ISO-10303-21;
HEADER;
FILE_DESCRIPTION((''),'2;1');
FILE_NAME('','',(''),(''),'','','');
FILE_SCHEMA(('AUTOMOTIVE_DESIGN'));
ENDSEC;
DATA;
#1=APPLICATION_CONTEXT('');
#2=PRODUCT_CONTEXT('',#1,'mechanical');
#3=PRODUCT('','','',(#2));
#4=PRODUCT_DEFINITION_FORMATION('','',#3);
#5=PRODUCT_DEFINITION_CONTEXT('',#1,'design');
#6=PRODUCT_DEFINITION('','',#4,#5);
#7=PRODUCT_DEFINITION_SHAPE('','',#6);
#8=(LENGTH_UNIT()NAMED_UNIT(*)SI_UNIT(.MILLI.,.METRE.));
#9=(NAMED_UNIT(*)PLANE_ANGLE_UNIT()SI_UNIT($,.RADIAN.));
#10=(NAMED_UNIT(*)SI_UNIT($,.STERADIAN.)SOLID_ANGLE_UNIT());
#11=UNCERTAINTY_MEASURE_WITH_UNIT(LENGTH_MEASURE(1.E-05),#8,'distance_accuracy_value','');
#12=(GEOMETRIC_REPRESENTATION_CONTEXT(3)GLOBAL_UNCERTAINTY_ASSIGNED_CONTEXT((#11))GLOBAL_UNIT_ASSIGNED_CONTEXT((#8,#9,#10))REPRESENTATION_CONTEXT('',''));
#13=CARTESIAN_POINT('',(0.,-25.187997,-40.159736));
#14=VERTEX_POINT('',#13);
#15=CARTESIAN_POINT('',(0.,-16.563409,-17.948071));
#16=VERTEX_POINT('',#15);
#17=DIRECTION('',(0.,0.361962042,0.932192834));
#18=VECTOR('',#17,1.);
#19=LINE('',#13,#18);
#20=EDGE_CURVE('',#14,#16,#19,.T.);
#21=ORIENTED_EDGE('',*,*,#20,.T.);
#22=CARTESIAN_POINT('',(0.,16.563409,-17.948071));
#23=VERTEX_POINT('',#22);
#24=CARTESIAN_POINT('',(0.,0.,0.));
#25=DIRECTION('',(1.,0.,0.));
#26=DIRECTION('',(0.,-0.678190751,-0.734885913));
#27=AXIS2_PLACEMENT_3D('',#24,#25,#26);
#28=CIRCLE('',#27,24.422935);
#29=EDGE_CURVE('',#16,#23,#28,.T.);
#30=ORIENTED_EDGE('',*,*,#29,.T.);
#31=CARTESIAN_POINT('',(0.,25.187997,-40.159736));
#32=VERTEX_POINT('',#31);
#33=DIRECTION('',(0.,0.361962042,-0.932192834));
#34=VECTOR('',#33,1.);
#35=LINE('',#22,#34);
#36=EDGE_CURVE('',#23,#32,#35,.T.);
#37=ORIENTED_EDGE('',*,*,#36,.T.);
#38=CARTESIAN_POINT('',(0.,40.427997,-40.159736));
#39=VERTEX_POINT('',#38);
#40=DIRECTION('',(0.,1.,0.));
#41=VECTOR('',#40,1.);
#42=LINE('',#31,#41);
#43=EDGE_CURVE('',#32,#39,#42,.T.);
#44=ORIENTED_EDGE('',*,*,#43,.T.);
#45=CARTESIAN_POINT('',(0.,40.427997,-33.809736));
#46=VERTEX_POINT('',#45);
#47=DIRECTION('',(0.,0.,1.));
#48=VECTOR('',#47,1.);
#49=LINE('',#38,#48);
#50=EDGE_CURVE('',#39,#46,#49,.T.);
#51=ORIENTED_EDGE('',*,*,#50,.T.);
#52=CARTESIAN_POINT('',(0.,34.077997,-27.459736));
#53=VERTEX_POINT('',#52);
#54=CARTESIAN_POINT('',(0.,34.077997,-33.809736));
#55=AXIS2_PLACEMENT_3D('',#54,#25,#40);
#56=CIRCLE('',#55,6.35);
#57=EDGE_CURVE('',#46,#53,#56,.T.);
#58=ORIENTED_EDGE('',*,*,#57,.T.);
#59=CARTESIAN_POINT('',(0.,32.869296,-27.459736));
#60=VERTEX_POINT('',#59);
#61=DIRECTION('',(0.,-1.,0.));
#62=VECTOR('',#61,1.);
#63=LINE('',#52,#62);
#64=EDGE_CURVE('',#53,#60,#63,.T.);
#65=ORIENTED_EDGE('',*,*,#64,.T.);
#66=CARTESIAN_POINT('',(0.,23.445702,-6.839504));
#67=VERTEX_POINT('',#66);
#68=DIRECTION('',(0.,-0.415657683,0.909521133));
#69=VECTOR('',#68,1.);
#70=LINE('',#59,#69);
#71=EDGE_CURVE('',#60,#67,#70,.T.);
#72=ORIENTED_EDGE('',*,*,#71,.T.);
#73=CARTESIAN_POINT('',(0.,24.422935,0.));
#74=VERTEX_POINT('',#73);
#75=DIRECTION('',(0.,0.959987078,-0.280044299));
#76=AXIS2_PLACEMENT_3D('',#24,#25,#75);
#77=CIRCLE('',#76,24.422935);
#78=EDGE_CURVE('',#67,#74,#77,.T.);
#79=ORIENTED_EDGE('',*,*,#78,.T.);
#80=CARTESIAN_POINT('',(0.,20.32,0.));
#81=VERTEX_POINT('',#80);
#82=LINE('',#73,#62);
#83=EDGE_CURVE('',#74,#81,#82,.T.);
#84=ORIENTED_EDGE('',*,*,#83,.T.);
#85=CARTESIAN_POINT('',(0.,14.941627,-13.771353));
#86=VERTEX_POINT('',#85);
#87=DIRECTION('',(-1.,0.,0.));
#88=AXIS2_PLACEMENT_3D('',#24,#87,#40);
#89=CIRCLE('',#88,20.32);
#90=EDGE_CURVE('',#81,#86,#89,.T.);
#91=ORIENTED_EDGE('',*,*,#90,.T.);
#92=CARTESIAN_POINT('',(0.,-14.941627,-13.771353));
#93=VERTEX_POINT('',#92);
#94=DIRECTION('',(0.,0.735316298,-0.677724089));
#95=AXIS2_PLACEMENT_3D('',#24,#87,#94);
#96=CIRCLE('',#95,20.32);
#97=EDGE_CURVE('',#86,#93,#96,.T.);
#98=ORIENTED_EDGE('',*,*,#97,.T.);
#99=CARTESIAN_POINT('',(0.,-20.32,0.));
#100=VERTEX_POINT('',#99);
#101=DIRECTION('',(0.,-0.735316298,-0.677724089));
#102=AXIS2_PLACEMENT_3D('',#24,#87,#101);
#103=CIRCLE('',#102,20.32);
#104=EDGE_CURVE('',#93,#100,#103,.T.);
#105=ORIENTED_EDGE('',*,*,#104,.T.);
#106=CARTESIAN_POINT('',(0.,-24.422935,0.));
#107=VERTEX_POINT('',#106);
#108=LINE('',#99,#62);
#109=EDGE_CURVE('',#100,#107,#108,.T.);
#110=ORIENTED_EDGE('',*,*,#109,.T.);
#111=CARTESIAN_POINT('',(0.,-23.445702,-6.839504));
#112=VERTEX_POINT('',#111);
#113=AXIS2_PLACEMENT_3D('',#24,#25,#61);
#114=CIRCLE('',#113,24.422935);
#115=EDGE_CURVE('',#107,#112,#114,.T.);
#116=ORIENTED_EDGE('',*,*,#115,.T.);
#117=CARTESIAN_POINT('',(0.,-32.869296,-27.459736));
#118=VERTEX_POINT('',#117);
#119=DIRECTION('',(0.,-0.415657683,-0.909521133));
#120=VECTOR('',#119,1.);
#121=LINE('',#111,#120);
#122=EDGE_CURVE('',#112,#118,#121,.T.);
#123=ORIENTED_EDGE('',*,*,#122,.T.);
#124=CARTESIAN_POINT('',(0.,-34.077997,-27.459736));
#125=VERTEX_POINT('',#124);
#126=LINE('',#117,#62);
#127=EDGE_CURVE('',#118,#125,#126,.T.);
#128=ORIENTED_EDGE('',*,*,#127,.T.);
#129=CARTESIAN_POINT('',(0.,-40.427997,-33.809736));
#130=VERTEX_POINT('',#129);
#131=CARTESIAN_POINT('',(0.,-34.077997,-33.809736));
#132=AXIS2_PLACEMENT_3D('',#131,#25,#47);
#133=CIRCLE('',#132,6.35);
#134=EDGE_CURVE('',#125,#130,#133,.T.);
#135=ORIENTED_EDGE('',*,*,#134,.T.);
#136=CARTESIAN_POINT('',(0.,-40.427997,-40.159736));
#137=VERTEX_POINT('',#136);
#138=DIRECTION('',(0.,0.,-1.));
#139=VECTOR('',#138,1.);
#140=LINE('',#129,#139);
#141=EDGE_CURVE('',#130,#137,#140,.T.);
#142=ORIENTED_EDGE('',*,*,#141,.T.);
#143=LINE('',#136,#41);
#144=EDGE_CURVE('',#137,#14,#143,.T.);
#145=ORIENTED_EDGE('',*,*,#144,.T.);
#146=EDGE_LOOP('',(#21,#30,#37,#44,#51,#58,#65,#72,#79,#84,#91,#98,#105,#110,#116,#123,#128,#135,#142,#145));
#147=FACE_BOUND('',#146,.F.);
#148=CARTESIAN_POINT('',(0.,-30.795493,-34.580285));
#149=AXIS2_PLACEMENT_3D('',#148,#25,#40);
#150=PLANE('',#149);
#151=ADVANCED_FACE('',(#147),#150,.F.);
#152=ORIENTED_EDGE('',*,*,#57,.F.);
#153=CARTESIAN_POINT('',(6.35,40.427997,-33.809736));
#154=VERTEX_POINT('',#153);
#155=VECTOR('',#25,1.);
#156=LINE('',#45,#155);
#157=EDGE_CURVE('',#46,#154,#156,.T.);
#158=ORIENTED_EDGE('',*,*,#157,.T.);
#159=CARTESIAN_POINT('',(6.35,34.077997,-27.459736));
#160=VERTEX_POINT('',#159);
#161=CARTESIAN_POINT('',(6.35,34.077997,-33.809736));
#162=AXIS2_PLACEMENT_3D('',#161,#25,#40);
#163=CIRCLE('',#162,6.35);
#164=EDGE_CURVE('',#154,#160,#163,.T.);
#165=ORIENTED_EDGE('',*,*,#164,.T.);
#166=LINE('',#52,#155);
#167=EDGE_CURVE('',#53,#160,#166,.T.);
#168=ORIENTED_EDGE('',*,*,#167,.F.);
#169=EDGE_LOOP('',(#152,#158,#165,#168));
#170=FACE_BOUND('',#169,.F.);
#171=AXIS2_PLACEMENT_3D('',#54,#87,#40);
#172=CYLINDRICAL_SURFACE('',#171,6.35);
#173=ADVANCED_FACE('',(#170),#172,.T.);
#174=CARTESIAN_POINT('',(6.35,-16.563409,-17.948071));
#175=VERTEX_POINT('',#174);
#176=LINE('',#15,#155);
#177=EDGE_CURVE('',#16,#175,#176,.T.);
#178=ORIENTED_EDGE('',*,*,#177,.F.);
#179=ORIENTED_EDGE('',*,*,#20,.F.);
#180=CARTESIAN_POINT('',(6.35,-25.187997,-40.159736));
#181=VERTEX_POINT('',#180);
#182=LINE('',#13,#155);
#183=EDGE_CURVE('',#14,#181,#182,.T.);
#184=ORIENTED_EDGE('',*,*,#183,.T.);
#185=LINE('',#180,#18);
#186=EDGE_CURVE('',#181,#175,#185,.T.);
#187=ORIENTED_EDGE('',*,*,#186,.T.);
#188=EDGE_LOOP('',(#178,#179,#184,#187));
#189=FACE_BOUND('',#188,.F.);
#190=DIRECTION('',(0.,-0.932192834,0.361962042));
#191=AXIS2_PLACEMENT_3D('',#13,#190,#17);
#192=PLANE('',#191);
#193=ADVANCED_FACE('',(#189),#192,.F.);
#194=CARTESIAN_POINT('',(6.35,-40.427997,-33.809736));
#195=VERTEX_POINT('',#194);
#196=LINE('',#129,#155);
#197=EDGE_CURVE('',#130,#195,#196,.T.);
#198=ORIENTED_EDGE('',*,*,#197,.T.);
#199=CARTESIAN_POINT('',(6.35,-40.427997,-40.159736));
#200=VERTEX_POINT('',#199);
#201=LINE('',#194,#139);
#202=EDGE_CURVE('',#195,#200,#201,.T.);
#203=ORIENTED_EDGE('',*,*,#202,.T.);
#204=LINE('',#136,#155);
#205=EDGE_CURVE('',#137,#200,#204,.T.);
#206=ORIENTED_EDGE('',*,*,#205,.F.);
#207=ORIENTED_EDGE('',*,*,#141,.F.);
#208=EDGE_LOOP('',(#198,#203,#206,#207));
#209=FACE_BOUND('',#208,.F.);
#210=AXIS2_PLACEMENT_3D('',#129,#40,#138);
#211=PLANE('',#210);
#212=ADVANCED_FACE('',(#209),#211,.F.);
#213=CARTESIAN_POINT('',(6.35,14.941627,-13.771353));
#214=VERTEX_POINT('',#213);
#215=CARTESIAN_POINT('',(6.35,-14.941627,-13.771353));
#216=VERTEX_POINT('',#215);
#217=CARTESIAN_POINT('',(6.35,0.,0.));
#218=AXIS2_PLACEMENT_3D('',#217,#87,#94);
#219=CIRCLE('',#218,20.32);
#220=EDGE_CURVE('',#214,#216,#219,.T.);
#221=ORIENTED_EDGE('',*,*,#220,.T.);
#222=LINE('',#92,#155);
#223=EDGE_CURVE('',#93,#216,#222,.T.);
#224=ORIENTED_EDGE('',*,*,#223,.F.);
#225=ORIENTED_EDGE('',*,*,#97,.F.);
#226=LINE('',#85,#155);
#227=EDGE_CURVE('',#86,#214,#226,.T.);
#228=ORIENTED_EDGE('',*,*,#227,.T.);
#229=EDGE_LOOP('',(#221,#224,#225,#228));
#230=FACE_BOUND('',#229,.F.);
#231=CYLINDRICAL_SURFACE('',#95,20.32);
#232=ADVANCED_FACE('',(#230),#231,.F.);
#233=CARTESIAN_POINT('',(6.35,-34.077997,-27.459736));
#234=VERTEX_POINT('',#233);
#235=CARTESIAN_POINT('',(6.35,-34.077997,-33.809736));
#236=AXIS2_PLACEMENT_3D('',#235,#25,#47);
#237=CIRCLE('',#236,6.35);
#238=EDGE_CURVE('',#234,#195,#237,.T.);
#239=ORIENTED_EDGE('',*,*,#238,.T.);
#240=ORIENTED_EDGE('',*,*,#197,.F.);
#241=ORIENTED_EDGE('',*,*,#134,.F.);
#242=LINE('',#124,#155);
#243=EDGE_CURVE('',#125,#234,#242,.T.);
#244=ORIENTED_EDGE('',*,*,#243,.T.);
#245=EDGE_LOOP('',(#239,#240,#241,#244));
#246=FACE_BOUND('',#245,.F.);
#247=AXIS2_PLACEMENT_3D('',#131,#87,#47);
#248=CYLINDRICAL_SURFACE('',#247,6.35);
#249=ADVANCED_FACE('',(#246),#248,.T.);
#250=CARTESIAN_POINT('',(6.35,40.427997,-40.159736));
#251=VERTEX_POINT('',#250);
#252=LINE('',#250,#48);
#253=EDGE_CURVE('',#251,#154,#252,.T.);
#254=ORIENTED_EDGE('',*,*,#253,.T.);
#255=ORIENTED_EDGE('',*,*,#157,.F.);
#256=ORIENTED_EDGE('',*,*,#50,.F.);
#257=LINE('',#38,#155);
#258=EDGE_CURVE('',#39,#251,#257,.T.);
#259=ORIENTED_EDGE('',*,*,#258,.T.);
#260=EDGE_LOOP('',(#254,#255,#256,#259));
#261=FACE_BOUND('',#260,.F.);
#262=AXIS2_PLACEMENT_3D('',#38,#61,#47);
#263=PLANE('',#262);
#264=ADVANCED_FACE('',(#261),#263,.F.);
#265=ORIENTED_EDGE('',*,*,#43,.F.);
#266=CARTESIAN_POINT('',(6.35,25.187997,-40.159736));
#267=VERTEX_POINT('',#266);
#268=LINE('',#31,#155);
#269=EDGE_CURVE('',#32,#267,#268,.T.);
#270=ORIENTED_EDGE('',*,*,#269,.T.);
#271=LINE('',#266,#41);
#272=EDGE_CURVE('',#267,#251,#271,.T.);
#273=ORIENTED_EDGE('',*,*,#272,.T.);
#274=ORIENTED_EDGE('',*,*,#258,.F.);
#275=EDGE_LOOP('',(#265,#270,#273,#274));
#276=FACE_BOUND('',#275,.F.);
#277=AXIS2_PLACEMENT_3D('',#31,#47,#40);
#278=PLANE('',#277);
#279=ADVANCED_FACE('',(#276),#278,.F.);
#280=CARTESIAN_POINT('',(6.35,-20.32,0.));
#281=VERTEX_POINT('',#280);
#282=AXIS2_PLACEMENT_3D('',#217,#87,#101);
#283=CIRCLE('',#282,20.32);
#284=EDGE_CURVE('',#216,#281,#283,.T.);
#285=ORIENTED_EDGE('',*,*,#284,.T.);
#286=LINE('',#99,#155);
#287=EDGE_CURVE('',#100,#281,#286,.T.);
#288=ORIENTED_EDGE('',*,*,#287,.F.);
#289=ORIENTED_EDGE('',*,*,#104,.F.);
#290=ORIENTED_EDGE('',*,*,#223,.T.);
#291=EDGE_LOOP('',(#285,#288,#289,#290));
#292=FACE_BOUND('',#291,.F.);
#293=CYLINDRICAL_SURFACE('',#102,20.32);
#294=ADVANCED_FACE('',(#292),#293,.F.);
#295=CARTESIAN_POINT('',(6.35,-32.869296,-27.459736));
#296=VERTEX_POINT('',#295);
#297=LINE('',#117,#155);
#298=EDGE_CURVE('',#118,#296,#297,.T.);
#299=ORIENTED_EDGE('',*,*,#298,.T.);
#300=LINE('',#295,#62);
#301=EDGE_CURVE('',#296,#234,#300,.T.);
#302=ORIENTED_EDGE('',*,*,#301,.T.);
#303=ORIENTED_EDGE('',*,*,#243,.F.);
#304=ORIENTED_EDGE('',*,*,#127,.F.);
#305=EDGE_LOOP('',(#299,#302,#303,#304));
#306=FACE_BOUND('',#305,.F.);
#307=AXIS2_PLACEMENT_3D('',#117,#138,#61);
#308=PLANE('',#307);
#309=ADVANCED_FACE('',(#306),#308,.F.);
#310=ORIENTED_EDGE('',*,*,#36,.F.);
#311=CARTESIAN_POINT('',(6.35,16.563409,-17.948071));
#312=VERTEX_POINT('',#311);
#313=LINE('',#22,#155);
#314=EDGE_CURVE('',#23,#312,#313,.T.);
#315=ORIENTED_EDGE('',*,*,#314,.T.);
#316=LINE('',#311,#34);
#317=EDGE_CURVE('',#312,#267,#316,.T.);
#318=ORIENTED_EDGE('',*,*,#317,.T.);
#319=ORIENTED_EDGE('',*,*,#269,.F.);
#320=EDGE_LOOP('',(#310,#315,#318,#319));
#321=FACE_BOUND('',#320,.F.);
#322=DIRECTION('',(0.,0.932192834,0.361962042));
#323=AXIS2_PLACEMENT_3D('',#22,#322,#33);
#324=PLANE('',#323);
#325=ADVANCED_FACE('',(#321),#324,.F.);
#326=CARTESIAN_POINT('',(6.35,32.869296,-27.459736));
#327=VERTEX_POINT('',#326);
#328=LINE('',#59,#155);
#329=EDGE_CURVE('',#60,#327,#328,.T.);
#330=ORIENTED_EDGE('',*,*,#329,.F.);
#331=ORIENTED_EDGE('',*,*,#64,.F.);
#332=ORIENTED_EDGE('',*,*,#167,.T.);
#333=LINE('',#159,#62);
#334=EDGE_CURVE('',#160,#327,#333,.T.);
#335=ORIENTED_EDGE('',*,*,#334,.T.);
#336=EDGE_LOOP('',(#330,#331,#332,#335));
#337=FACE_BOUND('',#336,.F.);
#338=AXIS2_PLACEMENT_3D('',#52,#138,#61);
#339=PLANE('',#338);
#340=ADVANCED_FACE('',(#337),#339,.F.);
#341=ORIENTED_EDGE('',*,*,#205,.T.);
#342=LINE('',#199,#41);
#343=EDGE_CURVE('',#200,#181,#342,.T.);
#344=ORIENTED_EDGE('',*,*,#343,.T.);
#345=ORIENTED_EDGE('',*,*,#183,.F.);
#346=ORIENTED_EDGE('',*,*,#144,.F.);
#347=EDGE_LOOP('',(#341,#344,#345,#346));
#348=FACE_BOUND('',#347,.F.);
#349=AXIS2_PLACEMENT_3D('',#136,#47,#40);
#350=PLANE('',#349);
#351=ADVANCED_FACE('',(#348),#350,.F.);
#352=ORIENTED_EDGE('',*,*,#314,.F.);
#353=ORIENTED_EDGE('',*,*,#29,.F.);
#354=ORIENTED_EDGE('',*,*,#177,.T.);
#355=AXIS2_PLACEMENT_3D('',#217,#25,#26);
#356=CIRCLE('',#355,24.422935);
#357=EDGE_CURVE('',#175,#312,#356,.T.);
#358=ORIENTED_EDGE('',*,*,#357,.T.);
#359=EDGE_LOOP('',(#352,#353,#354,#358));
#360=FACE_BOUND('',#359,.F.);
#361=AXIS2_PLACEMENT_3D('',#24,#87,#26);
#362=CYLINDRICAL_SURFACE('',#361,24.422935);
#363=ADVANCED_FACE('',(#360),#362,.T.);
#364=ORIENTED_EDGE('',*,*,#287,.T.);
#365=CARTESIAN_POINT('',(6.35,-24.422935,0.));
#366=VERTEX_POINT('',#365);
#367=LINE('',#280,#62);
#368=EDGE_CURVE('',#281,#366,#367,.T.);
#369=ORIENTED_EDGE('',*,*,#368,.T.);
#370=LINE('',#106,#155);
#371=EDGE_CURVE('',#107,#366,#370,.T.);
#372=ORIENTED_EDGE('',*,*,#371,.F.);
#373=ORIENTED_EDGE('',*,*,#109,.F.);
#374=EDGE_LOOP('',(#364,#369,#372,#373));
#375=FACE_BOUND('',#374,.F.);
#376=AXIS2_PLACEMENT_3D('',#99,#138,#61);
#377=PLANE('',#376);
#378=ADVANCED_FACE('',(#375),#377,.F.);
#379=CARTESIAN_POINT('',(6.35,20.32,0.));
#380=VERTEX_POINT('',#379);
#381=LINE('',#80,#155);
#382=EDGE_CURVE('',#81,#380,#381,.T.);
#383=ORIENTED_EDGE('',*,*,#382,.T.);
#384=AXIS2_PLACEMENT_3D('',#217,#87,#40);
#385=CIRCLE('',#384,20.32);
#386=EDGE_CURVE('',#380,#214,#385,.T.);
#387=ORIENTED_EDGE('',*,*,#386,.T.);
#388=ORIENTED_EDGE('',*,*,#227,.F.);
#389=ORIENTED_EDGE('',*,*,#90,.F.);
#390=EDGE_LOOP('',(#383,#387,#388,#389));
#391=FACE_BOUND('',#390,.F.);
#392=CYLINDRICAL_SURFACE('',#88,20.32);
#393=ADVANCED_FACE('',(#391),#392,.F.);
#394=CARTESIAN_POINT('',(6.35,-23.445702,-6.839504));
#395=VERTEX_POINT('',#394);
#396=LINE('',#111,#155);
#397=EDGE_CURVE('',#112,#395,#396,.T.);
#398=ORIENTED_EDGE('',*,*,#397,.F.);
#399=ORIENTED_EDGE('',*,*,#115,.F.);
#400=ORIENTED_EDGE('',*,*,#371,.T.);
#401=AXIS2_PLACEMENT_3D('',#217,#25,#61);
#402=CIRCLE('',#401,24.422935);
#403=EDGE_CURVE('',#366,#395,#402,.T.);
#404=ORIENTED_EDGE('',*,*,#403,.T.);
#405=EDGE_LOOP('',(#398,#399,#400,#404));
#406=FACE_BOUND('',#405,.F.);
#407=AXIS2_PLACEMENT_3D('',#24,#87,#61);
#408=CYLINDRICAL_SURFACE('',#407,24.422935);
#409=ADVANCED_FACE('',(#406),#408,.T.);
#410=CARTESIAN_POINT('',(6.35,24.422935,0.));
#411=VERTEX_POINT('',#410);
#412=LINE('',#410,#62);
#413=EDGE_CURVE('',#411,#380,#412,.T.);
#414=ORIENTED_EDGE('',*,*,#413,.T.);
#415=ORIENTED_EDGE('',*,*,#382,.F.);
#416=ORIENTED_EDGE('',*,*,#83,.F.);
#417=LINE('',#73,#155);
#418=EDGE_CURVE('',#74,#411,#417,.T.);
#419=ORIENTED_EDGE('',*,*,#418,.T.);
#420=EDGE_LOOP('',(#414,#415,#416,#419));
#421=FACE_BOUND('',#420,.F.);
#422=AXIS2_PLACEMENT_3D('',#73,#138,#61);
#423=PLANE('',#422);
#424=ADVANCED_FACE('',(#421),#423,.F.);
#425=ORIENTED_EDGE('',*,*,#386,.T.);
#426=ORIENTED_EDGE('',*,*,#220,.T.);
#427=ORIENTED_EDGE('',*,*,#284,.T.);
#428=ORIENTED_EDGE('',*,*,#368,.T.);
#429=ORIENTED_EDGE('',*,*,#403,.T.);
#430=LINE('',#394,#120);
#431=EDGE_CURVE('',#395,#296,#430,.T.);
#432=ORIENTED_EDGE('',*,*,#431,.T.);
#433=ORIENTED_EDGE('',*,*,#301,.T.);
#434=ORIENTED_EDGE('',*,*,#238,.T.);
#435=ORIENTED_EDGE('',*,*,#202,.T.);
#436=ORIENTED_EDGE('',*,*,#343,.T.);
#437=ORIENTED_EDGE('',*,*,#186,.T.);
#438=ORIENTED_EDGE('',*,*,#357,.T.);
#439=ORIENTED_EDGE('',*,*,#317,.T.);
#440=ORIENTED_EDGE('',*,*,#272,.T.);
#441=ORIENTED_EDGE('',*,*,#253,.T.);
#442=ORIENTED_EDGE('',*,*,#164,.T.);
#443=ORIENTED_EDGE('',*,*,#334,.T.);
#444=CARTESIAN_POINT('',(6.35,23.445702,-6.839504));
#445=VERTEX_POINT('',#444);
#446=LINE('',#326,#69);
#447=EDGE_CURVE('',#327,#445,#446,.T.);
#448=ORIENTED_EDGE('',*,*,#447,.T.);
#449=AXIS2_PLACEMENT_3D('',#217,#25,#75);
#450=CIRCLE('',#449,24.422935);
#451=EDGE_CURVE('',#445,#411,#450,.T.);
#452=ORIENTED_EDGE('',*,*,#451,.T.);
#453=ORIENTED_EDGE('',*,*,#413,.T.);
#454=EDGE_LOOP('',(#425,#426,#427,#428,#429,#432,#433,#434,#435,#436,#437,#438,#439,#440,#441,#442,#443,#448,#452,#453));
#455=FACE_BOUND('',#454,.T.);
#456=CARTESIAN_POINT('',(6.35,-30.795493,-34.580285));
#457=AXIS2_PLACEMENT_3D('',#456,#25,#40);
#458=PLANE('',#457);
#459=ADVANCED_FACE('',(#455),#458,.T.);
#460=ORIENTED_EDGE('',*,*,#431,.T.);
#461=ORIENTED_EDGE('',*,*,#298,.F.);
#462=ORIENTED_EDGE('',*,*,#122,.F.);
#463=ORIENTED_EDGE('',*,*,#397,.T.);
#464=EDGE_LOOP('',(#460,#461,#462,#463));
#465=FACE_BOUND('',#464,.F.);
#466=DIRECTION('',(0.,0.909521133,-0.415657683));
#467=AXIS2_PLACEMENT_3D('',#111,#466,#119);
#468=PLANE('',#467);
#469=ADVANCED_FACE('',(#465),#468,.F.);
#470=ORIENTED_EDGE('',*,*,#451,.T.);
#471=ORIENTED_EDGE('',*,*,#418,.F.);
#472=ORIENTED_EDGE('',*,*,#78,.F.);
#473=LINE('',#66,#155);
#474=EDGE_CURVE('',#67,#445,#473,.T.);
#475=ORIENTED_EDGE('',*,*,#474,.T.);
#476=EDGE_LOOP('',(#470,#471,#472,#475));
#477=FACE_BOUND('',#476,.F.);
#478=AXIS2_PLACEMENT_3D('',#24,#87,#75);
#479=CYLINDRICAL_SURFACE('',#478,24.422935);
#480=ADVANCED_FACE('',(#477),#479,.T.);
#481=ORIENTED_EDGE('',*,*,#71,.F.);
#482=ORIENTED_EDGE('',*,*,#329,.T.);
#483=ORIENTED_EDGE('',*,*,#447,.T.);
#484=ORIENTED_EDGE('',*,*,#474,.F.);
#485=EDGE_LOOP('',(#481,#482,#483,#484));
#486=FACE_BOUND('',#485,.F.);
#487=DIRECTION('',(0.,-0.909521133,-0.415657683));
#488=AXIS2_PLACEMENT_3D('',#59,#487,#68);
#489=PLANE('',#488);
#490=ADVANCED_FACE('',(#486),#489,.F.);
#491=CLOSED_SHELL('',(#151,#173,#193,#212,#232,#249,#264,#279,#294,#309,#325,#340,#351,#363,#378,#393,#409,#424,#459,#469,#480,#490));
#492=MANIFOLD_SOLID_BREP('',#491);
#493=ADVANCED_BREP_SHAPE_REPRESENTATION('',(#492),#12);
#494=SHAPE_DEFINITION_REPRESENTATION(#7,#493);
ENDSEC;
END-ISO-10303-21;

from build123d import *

# Parameters (mm, degrees)
F1_DEPTH = 6.35


with BuildPart() as f1:
    # F0 (on Right) → F1 (new body)
    with BuildSketch(Plane.YZ):
        Polygon((-25.1879972506, -27.4597358286), (-32.8692962766, -27.4597358286), (-38.6732873896, -40.1597358286), (-25.1879972506, -40.1597358286), align=None)
        with BuildLine():
            ThreePointArc((-14.941627183, -13.7713534964), (-18.9277080541, -7.3921761221), (-20.32, 0))
            Line((-20.32, 0), (-23.4457023071, -6.8395038047))
            ThreePointArc((-23.4457023071, -6.8395038047), (-20.7613176497, -12.8626380815), (-16.5634088375, -17.9480711121))
            Line((-16.5634088375, -17.9480711121), (-14.941627183, -13.7713534964))
        make_face()
        with BuildLine():
            Line((16.5634088375, -17.9480711121), (14.941627183, -13.7713534964))
            ThreePointArc((14.941627183, -13.7713534964), (0, -20.32), (-14.941627183, -13.7713534964))
            Line((-14.941627183, -13.7713534964), (-16.5634088375, -17.9480711121))
            ThreePointArc((-16.5634088375, -17.9480711121), (0, -24.4229353061), (16.5634088375, -17.9480711121))
        make_face()
        with BuildLine():
            Line((23.4457023071, -6.8395038047), (20.32, 0))
            ThreePointArc((20.32, 0), (18.9277080541, -7.3921761221), (14.941627183, -13.7713534964))
            Line((14.941627183, -13.7713534964), (16.5634088375, -17.9480711121))
            ThreePointArc((16.5634088375, -17.9480711121), (20.7613176497, -12.8626380815), (23.4457023071, -6.8395038047))
        make_face()
        Polygon((38.6732873896, -40.1597358286), (32.8692962766, -27.4597358286), (25.1879972506, -27.4597358286), (25.1879972506, -40.1597358286), align=None)
        with BuildLine():
            Line((24.4229353061, 0), (20.32, 0))
            Line((20.32, 0), (23.4457023071, -6.8395038047))
            ThreePointArc((23.4457023071, -6.8395038047), (24.1773927422, -3.4544824732), (24.4229353061, 0))
        make_face()
        with BuildLine():
            Line((-23.4457023071, -6.8395038047), (-20.32, 0))
            Line((-20.32, 0), (-24.4229353061, 0))
            ThreePointArc((-24.4229353061, 0), (-24.1773927422, -3.4544824732), (-23.4457023071, -6.8395038047))
        make_face()
        with BuildLine():
            ThreePointArc((-16.5634088375, -17.9480711121), (-20.7613176497, -12.8626380815), (-23.4457023071, -6.8395038047))
            Line((-23.4457023071, -6.8395038047), (-32.8692962766, -27.4597358286))
            Line((-32.8692962766, -27.4597358286), (-25.1879972506, -27.4597358286))
            Line((-25.1879972506, -27.4597358286), (-25.1879972506, -40.1597358286))
            Line((-25.1879972506, -40.1597358286), (-16.5634088375, -17.9480711121))
        make_face()
        with BuildLine():
            Line((32.8692962766, -27.4597358286), (23.4457023071, -6.8395038047))
            ThreePointArc((23.4457023071, -6.8395038047), (20.7613176497, -12.8626380815), (16.5634088375, -17.9480711121))
            Line((16.5634088375, -17.9480711121), (25.1879972506, -40.1597358286))
            Line((25.1879972506, -40.1597358286), (25.1879972506, -27.4597358286))
            Line((25.1879972506, -27.4597358286), (32.8692962766, -27.4597358286))
        make_face()
        with BuildLine():
            Line((34.0779972506, -27.4597358286), (32.8692962766, -27.4597358286))
            Line((32.8692962766, -27.4597358286), (38.6732873896, -40.1597358286))
            Line((38.6732873896, -40.1597358286), (40.4279972506, -40.1597358286))
            Line((40.4279972506, -40.1597358286), (40.4279972506, -33.8097358286))
            ThreePointArc((40.4279972506, -33.8097358286), (38.5681253111, -29.3196077681), (34.0779972506, -27.4597358286))
        make_face()
        with BuildLine():
            Line((-38.6732873896, -40.1597358286), (-32.8692962766, -27.4597358286))
            Line((-32.8692962766, -27.4597358286), (-34.0779972506, -27.4597358286))
            ThreePointArc((-34.0779972506, -27.4597358286), (-38.5681253111, -29.3196077681), (-40.4279972506, -33.8097358286))
            Line((-40.4279972506, -33.8097358286), (-40.4279972506, -40.1597358286))
            Line((-40.4279972506, -40.1597358286), (-38.6732873896, -40.1597358286))
        make_face()
    extrude(amount=F1_DEPTH)


solid = f1.part
